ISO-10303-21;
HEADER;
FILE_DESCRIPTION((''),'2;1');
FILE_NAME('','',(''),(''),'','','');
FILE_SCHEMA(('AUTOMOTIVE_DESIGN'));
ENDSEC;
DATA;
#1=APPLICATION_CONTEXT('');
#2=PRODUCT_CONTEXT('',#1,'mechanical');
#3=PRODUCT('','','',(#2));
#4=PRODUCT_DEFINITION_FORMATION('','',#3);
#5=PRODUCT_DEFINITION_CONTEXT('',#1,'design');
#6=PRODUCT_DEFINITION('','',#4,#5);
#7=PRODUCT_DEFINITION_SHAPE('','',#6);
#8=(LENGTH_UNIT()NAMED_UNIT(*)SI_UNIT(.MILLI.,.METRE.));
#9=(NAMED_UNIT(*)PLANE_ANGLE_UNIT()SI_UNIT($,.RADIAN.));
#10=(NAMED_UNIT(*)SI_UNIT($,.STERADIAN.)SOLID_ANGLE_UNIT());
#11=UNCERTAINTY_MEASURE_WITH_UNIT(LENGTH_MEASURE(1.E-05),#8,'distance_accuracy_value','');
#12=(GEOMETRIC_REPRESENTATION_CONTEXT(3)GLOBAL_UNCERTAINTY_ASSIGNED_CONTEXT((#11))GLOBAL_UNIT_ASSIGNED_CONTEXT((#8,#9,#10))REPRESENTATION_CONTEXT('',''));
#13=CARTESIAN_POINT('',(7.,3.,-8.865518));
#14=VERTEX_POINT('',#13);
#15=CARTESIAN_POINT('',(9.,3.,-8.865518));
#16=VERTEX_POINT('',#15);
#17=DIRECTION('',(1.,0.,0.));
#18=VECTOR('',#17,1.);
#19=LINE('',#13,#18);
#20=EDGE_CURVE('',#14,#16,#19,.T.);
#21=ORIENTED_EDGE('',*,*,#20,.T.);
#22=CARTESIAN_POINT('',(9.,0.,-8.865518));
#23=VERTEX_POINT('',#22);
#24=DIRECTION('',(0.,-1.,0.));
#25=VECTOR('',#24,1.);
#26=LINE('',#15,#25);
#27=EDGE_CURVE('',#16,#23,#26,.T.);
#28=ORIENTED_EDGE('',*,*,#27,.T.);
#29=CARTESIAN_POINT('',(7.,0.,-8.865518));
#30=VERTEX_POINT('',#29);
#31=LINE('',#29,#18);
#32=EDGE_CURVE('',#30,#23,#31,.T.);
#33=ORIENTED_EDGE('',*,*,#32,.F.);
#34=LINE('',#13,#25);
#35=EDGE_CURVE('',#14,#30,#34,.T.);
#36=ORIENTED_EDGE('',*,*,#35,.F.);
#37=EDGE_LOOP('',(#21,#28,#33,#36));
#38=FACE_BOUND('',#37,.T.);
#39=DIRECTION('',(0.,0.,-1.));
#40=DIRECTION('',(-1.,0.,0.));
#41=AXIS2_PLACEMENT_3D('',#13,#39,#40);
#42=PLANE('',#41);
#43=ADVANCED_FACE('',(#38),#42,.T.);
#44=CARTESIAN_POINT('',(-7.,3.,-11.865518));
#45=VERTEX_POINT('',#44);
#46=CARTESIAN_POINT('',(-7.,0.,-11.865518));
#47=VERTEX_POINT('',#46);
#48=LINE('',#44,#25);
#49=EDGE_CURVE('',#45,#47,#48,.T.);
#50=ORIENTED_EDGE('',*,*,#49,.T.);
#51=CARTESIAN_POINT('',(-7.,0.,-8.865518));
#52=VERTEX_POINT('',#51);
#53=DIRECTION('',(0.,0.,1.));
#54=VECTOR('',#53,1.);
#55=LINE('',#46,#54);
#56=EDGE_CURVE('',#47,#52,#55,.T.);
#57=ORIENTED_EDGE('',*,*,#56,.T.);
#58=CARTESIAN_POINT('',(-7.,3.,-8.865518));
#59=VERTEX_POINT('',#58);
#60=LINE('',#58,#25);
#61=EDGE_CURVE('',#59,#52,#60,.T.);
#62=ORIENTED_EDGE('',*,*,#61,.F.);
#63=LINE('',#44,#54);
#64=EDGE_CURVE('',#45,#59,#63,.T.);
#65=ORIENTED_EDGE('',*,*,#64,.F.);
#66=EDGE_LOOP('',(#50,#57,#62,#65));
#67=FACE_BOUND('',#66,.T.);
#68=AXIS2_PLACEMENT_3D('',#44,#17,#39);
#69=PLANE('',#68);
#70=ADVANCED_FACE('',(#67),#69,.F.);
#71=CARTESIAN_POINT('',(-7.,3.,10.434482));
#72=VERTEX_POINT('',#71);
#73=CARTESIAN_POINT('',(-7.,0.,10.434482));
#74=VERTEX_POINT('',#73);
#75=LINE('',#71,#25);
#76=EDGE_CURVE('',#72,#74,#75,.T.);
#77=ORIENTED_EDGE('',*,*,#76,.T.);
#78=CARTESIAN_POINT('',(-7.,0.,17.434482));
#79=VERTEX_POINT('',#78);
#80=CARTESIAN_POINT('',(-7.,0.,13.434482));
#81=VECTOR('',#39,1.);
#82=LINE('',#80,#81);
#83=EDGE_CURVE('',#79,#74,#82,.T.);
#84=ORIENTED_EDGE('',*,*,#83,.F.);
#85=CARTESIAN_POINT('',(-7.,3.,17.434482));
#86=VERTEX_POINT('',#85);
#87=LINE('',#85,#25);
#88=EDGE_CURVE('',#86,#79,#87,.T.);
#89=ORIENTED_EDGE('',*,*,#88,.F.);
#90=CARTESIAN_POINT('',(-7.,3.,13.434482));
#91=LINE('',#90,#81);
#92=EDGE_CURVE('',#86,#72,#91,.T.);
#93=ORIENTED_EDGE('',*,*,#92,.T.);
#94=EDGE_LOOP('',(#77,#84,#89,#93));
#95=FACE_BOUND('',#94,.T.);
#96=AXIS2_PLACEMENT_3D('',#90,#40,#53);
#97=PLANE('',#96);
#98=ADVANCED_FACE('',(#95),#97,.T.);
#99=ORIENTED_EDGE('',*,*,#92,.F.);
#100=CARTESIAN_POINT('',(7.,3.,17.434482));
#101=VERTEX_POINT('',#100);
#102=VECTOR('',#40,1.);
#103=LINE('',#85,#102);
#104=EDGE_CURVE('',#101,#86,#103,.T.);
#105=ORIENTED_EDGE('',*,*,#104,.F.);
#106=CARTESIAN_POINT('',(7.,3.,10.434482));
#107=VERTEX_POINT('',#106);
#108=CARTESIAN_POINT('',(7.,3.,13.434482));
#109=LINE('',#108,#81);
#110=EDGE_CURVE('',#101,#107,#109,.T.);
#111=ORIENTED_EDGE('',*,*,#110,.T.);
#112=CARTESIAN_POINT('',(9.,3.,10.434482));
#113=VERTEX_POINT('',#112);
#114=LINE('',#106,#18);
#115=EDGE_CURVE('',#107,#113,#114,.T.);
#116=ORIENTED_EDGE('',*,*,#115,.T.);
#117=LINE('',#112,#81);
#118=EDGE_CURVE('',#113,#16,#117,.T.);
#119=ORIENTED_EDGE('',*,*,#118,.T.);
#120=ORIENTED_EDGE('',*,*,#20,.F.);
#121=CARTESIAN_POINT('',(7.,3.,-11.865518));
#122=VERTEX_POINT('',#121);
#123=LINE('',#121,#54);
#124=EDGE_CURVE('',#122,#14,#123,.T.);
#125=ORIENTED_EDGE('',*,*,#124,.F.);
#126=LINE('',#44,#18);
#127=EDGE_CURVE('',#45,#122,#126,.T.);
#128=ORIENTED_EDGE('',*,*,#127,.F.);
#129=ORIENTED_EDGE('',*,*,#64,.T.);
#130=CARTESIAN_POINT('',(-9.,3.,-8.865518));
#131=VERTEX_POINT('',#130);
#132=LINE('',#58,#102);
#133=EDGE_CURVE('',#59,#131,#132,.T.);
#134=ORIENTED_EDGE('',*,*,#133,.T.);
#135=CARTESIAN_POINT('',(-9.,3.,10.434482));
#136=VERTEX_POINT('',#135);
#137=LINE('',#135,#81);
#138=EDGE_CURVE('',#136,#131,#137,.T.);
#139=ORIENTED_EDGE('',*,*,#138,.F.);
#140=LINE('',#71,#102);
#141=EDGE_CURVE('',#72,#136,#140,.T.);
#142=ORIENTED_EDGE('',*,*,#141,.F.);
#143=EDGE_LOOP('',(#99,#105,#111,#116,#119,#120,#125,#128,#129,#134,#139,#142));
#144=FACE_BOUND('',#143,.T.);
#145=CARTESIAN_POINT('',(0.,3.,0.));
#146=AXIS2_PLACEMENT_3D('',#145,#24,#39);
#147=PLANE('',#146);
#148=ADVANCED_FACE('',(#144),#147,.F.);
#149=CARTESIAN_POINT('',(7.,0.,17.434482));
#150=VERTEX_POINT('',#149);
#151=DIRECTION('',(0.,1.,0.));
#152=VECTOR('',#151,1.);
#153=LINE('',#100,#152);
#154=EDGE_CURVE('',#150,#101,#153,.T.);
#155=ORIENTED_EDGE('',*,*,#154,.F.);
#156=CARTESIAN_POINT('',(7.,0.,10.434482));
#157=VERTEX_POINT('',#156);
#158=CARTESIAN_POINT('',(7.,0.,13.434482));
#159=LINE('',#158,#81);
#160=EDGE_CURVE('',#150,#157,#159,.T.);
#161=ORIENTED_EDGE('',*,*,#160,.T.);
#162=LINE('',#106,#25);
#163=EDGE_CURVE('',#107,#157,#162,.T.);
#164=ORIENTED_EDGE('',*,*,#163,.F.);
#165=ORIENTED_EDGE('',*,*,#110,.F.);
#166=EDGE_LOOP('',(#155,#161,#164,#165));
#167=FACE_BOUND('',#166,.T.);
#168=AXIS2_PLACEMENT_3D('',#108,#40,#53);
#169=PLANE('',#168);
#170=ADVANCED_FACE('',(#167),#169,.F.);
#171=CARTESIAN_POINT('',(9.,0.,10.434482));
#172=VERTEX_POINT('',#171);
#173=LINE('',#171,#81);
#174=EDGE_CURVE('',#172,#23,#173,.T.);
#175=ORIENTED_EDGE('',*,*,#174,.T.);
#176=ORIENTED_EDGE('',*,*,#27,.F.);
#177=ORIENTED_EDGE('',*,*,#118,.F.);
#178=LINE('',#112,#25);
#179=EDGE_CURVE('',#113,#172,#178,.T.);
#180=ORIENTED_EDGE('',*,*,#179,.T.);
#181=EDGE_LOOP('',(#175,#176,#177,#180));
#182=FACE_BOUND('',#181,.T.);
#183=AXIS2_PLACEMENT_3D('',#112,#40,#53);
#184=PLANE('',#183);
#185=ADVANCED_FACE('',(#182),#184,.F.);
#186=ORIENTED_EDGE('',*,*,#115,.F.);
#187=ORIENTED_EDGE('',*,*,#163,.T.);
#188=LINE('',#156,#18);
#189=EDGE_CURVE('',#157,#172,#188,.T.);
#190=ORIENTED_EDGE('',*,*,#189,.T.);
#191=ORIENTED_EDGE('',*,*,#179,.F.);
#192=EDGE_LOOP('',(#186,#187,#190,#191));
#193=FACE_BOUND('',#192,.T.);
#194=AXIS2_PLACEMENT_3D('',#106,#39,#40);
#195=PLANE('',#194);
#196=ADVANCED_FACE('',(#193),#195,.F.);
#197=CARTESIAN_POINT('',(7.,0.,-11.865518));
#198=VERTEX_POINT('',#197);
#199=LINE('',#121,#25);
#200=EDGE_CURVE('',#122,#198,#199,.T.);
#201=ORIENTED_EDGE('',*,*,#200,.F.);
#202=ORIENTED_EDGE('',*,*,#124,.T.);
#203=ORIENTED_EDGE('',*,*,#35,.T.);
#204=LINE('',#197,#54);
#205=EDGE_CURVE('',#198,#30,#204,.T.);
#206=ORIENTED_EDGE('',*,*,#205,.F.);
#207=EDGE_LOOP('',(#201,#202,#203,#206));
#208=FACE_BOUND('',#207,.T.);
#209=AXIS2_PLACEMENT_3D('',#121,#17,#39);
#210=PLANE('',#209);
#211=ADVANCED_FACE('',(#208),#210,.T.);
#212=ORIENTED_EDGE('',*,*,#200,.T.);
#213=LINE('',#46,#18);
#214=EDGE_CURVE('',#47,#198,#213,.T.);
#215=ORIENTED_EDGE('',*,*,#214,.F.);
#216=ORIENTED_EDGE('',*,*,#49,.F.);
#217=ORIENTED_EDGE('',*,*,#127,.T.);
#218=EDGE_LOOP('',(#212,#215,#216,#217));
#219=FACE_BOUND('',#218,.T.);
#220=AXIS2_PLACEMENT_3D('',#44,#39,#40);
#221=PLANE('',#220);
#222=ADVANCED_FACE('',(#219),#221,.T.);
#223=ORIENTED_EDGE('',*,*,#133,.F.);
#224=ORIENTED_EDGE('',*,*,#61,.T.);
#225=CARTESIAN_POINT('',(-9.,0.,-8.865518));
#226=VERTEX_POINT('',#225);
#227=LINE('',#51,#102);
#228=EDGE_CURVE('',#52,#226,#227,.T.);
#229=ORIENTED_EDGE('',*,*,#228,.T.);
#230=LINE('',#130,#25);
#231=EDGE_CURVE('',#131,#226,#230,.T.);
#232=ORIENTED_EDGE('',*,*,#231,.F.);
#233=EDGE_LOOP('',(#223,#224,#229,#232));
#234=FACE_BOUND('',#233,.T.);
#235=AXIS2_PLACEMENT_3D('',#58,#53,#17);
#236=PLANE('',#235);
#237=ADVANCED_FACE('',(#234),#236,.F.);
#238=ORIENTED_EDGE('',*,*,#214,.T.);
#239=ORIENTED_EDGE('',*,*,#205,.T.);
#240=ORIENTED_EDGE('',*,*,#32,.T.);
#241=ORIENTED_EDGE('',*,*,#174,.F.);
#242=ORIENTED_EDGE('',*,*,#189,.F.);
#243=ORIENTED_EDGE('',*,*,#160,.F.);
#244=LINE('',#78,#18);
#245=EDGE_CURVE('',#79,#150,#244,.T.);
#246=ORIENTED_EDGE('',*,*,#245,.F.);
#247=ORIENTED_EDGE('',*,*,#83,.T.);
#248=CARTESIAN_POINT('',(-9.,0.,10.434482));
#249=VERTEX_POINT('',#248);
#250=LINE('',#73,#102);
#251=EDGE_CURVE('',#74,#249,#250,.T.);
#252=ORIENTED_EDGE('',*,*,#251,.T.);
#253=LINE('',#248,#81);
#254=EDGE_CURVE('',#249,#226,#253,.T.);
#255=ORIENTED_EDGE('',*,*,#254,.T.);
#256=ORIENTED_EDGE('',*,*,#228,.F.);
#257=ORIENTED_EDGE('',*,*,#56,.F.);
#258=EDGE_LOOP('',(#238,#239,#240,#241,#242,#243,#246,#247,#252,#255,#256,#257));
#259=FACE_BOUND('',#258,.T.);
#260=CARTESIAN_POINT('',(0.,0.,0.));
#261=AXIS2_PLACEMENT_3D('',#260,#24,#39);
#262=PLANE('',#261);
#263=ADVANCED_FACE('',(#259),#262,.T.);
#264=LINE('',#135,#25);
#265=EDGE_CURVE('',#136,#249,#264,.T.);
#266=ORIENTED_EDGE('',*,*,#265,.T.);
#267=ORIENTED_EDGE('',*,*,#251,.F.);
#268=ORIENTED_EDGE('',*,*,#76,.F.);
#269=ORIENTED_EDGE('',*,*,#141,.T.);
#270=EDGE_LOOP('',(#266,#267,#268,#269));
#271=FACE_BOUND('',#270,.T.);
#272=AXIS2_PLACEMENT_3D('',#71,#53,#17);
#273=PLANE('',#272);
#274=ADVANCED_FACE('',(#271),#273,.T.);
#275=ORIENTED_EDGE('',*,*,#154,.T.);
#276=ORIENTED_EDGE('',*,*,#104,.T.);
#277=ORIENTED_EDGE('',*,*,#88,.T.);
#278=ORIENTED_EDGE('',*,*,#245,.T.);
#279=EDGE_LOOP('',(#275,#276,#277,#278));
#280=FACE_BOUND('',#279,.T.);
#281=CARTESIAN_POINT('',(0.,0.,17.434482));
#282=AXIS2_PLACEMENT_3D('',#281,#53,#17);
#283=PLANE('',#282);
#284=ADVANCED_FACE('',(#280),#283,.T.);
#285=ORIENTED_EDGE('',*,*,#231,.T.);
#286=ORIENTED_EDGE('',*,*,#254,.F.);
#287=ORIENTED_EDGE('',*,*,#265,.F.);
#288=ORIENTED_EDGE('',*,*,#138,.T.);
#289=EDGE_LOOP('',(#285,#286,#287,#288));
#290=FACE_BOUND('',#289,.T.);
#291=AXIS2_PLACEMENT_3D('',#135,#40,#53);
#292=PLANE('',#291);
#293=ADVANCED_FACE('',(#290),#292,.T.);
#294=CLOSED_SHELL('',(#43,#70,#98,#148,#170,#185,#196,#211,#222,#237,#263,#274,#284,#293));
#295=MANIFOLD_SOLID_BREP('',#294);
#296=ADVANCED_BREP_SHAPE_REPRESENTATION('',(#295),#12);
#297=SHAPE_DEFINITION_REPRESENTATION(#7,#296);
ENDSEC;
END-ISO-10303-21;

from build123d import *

# Parameters (mm, degrees)
EXTRUDE_1_DEPTH = 3
SKETCH_3_W      = 14
SKETCH_3_H      = 3
EXTRUDE_2_DEPTH = 4


with BuildPart() as part:
    # Эскиз1 → Бобышка-Вытянуть1 (new body)
    with BuildSketch(Plane(origin=(0, 0, 0), x_dir=(1, 0, 0), z_dir=(0, 1, 0))):
        Polygon((-9, -10.434482278), (-9, 8.865517722), (-7, 8.865517722), (-7, 11.865517722), (7, 11.865517722), (7, 8.865517722), (9, 8.865517722), (9, -10.434482278), (7, -10.434482278), (7, -13.434482278), (-7, -13.434482278), (-7, -10.434482278), align=None)
    extrude(amount=EXTRUDE_1_DEPTH)

    # Эскиз3 → Бобышка-Вытянуть2 (add)
    with BuildSketch(Plane.XY.offset(13.434482278)):
        with Locations((0, 1.5)):
            Rectangle(SKETCH_3_W, SKETCH_3_H)
    extrude(amount=EXTRUDE_2_DEPTH)


solid = part.part
